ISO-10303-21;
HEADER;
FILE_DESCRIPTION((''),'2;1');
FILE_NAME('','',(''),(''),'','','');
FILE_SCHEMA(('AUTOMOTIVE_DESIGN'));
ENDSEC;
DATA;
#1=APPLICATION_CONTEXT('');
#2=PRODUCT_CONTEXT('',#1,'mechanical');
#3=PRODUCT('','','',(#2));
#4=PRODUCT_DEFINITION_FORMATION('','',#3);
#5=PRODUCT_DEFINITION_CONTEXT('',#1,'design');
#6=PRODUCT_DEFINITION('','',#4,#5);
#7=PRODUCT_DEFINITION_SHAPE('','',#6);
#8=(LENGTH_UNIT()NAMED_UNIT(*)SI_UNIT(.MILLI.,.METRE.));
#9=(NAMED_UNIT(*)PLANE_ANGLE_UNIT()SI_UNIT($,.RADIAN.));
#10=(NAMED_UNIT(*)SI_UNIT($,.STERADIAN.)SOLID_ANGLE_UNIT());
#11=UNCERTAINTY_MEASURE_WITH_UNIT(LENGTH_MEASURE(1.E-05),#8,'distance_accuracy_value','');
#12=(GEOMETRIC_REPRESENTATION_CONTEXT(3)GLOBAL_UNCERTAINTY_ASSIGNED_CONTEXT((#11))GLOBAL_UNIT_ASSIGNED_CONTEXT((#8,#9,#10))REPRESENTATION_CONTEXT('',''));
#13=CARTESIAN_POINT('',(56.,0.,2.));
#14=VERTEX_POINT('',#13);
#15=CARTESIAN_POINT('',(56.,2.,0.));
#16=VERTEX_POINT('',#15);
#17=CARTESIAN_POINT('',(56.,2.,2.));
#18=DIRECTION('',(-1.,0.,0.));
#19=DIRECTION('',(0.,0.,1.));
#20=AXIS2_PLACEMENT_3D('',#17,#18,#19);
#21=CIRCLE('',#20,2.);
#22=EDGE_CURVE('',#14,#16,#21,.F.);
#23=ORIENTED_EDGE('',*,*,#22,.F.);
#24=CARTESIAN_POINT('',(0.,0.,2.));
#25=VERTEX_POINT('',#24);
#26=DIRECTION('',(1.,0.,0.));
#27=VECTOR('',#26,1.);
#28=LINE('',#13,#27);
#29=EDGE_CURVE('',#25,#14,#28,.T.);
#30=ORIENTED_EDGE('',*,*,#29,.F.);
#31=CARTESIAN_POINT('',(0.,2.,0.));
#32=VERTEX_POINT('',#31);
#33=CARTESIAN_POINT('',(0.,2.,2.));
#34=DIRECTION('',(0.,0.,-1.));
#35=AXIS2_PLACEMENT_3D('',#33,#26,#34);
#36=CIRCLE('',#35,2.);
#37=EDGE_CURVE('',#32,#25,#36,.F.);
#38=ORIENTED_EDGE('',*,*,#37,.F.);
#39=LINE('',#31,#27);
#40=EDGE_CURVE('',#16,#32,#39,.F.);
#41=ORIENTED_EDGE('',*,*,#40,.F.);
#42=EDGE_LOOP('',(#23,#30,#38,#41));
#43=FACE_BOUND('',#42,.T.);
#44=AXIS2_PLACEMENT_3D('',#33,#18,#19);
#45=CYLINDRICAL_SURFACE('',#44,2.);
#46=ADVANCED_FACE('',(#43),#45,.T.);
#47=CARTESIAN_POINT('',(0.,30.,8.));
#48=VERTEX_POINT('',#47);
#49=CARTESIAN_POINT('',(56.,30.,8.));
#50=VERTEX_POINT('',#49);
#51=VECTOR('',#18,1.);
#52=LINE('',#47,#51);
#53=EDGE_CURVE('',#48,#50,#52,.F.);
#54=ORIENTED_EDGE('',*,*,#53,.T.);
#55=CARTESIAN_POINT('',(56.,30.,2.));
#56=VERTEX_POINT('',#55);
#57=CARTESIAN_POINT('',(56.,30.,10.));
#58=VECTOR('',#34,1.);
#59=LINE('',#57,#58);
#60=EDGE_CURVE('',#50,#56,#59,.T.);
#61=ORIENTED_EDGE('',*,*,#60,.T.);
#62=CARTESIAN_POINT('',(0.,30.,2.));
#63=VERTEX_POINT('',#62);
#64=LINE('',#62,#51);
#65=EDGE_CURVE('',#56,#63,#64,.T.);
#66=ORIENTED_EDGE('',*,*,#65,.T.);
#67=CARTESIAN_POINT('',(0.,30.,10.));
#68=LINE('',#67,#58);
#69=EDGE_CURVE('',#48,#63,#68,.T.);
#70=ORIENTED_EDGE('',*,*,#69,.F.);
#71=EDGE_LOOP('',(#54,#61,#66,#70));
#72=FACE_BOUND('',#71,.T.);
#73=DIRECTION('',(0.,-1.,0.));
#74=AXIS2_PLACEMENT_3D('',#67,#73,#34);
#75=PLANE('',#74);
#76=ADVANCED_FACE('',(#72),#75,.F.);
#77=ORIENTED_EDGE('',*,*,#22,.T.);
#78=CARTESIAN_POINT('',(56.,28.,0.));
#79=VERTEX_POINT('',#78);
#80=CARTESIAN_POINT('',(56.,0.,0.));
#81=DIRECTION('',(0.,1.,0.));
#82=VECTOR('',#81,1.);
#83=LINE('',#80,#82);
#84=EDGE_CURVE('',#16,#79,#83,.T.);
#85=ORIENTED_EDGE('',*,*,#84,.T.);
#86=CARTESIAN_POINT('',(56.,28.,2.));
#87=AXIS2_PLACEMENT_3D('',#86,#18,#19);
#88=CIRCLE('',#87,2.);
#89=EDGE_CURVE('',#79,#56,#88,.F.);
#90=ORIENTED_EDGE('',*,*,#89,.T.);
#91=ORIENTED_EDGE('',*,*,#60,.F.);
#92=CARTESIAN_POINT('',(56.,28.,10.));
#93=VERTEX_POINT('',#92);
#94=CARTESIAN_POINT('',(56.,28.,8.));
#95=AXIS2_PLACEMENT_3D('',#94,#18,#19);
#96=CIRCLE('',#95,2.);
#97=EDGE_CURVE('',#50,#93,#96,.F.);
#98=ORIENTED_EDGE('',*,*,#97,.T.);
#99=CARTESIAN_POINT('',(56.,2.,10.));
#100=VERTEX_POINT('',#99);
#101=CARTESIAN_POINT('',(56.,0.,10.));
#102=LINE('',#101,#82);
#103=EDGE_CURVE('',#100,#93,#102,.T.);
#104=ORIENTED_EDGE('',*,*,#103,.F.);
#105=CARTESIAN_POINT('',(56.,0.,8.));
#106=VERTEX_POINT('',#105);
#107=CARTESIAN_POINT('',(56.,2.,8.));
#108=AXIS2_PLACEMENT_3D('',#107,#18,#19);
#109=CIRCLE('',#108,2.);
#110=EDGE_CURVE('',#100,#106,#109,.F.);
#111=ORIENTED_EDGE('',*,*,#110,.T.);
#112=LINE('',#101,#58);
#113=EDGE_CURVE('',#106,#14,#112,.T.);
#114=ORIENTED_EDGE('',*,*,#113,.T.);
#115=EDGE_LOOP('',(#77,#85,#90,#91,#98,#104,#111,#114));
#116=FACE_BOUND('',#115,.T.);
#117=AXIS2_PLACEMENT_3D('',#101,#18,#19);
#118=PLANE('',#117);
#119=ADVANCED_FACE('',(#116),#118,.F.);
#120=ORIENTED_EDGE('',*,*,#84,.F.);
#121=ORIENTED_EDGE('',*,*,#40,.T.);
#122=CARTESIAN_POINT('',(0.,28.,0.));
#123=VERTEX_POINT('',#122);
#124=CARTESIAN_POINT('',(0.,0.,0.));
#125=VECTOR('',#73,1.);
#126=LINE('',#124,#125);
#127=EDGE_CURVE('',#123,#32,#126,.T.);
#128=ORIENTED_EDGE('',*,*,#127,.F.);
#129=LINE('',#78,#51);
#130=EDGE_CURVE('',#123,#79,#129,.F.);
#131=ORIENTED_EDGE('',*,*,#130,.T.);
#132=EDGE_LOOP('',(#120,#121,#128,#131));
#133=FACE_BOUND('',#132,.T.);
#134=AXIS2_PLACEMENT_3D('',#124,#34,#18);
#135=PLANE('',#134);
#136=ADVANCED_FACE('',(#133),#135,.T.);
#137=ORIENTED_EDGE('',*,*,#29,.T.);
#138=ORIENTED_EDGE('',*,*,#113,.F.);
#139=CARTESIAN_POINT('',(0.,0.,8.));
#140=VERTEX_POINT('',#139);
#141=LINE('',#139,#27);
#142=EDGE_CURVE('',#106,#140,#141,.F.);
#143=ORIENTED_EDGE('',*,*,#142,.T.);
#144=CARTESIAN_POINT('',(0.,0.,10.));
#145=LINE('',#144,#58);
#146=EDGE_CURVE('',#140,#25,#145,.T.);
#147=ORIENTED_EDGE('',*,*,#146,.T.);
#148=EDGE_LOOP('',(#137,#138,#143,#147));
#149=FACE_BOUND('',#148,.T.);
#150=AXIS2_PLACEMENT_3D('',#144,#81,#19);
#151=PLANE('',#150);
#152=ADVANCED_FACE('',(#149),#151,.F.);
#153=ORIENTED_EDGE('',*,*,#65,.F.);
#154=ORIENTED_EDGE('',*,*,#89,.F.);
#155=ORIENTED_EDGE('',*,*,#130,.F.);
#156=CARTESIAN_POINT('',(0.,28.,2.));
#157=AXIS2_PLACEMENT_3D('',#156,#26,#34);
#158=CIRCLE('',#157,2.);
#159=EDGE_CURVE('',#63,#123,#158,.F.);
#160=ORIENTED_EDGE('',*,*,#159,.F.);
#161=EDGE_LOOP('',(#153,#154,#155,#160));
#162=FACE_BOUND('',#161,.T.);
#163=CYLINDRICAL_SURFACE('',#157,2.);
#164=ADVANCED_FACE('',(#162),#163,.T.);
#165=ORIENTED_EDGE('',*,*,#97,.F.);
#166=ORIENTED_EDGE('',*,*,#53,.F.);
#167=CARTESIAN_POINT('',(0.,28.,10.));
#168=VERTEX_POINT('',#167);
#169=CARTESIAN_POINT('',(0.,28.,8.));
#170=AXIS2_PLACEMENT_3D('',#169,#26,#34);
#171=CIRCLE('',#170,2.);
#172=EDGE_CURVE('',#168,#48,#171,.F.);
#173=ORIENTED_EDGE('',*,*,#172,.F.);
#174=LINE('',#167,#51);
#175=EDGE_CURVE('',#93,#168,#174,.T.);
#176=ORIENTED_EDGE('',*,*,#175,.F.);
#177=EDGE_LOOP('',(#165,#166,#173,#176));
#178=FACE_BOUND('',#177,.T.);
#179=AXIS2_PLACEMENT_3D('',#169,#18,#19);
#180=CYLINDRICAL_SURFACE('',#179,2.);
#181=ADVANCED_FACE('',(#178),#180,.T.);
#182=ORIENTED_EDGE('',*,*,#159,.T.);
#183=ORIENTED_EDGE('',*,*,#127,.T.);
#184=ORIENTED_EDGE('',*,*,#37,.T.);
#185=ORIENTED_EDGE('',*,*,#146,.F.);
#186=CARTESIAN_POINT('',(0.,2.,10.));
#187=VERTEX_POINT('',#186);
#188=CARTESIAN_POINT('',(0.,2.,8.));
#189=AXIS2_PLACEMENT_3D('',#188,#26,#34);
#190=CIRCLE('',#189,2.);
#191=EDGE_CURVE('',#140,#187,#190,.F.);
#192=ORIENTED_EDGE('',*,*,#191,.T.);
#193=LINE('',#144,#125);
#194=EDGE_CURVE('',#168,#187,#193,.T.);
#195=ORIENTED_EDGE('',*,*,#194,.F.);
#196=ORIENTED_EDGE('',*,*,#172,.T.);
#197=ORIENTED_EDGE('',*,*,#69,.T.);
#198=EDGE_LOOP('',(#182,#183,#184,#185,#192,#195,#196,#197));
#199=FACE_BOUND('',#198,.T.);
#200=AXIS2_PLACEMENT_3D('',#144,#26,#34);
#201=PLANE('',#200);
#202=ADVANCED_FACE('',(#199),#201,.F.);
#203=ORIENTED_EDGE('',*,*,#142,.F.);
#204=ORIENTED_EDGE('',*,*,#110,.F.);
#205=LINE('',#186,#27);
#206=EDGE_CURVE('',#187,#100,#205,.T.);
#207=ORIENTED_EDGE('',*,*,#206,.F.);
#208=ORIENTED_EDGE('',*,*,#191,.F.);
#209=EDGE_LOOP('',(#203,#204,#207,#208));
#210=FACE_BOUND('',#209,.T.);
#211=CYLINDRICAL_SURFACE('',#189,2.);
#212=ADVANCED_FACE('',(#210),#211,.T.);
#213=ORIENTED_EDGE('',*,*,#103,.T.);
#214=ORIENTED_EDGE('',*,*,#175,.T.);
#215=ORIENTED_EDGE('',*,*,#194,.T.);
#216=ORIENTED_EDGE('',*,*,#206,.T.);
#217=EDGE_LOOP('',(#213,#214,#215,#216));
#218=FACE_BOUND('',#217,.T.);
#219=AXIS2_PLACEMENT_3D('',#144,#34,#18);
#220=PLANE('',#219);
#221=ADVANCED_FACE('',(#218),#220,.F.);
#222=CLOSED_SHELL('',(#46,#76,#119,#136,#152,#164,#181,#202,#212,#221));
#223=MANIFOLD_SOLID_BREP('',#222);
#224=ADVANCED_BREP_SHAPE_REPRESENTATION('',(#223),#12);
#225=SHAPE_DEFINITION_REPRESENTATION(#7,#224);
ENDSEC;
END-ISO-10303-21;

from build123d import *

# Parameters (mm, degrees)
SKIZZE1_W                       = 56
SKIZZE1_H                       = 30
AUFSATZ_LINEAR_AUSTRAGEN1_DEPTH = 10
VERRUNDUNG1_R                   = 2


with BuildPart() as part:
    # Skizze1 → Aufsatz-Linear austragen1 (new body)
    with BuildSketch(Plane.XY):
        with Locations((28, 15)):
            Rectangle(SKIZZE1_W, SKIZZE1_H)
    extrude(amount=AUFSATZ_LINEAR_AUSTRAGEN1_DEPTH)

    # Verrundung1
    verrundung1_edges = [part.edges().sort_by_distance(p)[0] for p in [
        (28, 30, 10),
        (28, 30, 0),
        (28, 0, 0),
        (28, 0, 10),
    ]]
    fillet(verrundung1_edges, radius=VERRUNDUNG1_R)


solid = part.part
